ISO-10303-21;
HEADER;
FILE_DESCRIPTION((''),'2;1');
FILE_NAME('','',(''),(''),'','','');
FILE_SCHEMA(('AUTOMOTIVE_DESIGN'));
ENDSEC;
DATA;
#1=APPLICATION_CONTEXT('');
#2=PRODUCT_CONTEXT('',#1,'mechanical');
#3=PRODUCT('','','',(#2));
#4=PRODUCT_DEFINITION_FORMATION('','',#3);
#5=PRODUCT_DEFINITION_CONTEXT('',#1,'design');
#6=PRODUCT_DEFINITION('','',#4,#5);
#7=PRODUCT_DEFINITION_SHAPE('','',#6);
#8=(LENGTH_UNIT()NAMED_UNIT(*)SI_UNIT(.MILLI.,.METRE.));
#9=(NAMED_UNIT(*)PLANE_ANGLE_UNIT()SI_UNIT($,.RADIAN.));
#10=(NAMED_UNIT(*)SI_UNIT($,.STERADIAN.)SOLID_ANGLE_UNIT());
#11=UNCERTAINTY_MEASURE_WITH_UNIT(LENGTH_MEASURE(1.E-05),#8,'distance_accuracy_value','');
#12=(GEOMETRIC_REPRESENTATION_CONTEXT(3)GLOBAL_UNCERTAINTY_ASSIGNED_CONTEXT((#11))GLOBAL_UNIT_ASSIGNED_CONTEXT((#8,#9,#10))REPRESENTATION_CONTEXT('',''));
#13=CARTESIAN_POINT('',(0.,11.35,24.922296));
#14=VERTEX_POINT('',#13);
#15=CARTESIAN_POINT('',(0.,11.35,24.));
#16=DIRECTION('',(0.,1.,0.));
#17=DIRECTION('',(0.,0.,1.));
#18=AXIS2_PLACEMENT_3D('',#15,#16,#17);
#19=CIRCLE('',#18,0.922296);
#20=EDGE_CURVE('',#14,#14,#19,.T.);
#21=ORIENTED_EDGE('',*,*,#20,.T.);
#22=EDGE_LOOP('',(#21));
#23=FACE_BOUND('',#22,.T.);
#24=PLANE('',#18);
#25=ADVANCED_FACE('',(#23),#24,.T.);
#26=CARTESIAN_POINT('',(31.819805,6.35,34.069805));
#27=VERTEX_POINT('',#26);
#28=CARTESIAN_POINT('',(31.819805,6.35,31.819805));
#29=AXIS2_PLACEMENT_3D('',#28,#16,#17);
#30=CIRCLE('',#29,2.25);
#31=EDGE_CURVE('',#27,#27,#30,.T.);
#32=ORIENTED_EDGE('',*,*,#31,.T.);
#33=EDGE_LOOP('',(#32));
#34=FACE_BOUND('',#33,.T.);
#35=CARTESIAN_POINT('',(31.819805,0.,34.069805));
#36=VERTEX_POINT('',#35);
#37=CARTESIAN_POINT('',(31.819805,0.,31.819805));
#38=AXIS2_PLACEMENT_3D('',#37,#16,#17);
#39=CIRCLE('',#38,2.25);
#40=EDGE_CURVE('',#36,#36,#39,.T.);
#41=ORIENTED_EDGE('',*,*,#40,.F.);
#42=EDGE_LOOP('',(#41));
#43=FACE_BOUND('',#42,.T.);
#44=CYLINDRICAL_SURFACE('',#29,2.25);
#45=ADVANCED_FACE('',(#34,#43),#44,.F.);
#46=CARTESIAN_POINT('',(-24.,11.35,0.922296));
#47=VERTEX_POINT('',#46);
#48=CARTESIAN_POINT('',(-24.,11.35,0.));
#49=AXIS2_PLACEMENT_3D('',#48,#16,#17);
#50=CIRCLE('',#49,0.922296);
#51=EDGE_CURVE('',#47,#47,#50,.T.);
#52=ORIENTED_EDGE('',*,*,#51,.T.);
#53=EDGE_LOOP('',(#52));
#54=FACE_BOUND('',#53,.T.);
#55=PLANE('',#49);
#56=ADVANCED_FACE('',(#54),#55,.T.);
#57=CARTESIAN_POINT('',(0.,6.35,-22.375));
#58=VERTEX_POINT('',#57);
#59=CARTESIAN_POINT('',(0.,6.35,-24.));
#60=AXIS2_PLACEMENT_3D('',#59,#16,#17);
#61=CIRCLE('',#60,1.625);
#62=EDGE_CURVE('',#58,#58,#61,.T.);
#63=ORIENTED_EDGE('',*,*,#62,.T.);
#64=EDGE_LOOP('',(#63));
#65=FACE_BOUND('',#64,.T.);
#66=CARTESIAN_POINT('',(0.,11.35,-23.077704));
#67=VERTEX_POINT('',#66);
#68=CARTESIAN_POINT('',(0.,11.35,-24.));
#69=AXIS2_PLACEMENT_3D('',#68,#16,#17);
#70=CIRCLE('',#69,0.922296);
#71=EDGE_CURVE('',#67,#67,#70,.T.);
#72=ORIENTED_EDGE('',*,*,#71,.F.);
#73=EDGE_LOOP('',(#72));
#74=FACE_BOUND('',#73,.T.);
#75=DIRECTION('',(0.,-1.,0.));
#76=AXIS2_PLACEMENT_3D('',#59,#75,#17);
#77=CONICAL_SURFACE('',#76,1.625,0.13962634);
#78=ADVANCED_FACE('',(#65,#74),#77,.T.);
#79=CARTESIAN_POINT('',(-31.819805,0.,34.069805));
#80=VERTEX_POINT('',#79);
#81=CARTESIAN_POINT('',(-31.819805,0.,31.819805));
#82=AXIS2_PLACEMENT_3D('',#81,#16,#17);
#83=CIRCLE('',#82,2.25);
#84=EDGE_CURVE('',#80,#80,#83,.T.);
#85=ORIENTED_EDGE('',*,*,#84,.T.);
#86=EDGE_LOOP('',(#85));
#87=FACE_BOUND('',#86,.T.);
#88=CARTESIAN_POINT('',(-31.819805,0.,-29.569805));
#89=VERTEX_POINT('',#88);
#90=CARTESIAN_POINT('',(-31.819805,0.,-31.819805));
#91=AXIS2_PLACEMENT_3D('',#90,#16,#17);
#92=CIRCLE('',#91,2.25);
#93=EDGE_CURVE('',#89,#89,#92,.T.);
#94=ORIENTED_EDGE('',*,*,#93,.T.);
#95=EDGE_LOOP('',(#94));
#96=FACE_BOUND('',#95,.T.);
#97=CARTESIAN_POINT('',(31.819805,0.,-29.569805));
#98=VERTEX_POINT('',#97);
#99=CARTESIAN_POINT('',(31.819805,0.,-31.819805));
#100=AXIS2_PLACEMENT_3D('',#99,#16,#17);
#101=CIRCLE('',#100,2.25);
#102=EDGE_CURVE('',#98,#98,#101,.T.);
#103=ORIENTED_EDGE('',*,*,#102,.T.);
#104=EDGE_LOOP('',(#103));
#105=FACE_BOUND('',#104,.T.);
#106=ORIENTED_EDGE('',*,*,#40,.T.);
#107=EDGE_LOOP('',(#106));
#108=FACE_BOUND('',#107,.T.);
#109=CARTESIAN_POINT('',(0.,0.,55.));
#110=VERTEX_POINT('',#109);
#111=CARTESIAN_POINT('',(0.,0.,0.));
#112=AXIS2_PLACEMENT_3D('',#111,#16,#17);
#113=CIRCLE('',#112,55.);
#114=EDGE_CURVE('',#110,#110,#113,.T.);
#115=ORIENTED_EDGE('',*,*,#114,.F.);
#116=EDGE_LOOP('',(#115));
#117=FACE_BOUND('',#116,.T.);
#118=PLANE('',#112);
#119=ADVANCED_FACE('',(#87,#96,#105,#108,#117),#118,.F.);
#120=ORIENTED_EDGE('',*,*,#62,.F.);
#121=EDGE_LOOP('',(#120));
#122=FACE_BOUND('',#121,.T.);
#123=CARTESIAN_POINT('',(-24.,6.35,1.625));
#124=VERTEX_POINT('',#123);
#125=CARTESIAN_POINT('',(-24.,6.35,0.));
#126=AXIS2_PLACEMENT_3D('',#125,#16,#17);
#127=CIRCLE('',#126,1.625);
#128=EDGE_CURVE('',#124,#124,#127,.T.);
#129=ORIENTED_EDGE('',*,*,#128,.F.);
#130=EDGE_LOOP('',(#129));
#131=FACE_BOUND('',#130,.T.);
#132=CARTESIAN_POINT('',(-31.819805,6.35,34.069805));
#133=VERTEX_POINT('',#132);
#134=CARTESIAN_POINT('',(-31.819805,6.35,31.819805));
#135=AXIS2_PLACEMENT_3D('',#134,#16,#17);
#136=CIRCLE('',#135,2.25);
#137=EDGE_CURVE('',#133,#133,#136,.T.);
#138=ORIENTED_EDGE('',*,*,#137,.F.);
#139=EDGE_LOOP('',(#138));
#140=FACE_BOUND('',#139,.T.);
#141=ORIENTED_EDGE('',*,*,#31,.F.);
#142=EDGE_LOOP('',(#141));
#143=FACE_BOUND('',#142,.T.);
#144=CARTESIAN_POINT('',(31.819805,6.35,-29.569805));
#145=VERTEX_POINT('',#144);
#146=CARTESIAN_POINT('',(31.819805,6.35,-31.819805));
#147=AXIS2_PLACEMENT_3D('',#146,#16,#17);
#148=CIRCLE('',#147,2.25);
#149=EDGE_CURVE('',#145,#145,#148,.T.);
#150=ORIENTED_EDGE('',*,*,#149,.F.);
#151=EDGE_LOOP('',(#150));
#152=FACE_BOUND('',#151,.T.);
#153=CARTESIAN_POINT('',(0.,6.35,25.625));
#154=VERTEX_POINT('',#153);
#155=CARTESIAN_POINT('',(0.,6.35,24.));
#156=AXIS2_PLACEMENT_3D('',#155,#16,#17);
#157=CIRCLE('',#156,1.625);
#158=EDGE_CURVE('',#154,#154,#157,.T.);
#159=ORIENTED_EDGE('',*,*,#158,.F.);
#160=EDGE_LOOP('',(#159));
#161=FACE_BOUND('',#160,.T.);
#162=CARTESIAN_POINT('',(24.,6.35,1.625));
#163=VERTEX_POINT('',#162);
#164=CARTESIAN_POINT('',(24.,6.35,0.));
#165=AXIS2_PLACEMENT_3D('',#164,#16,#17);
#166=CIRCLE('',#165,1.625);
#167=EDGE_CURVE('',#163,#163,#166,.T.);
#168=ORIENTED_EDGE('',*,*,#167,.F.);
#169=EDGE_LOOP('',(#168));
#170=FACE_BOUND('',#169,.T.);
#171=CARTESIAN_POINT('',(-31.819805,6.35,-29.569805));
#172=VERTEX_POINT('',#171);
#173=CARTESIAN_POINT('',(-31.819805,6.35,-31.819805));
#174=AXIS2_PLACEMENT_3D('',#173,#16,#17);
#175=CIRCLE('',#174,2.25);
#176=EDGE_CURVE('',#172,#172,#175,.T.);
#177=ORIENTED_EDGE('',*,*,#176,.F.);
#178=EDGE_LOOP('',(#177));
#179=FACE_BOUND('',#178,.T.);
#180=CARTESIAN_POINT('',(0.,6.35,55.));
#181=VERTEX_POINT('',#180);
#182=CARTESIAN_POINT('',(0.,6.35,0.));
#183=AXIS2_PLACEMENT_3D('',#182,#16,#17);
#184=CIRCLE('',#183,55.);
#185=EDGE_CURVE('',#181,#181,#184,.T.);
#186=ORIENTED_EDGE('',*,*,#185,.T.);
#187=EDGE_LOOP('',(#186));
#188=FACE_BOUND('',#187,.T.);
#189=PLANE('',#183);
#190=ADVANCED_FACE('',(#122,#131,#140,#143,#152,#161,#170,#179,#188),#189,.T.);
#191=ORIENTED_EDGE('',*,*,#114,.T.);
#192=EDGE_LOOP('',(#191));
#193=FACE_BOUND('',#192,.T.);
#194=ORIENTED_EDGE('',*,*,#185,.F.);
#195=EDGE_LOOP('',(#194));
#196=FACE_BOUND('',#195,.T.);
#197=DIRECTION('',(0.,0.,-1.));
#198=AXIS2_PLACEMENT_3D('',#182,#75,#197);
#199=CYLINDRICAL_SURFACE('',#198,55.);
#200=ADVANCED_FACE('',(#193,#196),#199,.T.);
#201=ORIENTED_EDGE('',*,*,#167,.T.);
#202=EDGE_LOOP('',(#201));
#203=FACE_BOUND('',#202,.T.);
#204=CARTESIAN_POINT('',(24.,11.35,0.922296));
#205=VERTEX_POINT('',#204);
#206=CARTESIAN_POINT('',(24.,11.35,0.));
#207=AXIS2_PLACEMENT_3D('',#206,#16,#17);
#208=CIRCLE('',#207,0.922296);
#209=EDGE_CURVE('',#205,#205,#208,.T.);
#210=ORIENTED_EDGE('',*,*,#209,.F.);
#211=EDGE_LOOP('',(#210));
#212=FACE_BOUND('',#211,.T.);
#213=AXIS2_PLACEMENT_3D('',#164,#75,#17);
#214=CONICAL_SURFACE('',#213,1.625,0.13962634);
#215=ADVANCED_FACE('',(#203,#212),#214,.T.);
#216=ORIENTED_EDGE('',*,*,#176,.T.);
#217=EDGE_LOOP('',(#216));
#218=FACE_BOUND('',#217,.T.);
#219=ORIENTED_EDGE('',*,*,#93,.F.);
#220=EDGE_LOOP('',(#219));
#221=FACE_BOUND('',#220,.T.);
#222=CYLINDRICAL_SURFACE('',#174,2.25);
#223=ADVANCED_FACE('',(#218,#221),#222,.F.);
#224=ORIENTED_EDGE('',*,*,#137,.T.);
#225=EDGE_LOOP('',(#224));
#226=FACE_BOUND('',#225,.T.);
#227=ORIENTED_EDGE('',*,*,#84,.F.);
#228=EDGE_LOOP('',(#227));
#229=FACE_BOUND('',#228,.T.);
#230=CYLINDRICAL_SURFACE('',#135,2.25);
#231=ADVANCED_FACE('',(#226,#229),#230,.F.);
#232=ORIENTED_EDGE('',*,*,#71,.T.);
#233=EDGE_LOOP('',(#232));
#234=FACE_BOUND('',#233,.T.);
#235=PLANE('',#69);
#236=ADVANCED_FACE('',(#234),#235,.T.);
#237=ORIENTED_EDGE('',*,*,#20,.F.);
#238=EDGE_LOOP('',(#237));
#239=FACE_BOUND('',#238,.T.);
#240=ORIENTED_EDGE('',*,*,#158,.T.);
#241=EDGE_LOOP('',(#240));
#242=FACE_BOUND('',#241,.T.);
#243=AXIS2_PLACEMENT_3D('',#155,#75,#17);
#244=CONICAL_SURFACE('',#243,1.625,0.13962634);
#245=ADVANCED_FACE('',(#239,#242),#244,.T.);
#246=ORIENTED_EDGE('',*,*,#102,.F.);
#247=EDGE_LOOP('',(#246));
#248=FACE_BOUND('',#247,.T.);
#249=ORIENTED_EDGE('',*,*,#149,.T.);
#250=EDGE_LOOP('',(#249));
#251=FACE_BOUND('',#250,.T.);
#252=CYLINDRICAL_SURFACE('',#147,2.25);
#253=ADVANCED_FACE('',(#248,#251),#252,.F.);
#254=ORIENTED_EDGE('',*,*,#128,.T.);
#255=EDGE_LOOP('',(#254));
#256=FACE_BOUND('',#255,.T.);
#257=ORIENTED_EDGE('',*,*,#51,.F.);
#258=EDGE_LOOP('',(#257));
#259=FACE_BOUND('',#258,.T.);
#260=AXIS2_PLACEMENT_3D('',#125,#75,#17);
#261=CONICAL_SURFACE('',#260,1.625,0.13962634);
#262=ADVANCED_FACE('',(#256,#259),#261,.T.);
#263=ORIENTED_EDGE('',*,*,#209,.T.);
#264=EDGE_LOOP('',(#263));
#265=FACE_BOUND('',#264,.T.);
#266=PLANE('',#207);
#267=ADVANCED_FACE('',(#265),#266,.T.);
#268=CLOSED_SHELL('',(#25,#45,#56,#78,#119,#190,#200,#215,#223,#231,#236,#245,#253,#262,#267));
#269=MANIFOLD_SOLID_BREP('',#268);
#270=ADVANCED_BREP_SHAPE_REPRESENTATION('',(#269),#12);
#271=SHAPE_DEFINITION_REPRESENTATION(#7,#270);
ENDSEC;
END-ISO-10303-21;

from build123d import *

# Parameters (mm, degrees)
SKETCH1_R            = 55
BOSS_EXTRUDE1_DEPTH  = 6.35
SKETCH2_R            = 1.625
BOSS_EXTRUDE2_DEPTH  = 5
BOSS_EXTRUDE2_TAPER  = 8
M4_CLEARANCE_HOLE1_D = 4.5


with BuildPart() as part:
    # Sketch1 → Boss-Extrude1 (new body)
    with BuildSketch(Plane(origin=(0, 0, 0), x_dir=(1, 0, 0), z_dir=(0, 1, 0))):
        Circle(SKETCH1_R)
    extrude(amount=BOSS_EXTRUDE1_DEPTH)

    # Sketch2 → Boss-Extrude2 (add)
    with BuildSketch(Plane(origin=(0, 6.35, 0), x_dir=(1, 0, 0), z_dir=(0, 1, 0))):
        with Locations((0, -24)):
            Circle(SKETCH2_R)
        with Locations((-24, 0)):
            Circle(SKETCH2_R)
        with Locations((0, 24)):
            Circle(SKETCH2_R)
        with Locations((24, 0)):
            Circle(SKETCH2_R)
    extrude(amount=BOSS_EXTRUDE2_DEPTH, taper=BOSS_EXTRUDE2_TAPER)

    # M4 Clearance Hole1 (through all)
    with Locations(Plane(origin=(0, 6.35, 0), x_dir=(1, 0, 0), z_dir=(0, 1, 0))):
        with Locations((-31.819805153, 31.819805153), (31.819805153, 31.819805153), (31.819805153, -31.819805153), (-31.819805153, -31.819805153)):
            Hole(M4_CLEARANCE_HOLE1_D / 2)


solid = part.part
